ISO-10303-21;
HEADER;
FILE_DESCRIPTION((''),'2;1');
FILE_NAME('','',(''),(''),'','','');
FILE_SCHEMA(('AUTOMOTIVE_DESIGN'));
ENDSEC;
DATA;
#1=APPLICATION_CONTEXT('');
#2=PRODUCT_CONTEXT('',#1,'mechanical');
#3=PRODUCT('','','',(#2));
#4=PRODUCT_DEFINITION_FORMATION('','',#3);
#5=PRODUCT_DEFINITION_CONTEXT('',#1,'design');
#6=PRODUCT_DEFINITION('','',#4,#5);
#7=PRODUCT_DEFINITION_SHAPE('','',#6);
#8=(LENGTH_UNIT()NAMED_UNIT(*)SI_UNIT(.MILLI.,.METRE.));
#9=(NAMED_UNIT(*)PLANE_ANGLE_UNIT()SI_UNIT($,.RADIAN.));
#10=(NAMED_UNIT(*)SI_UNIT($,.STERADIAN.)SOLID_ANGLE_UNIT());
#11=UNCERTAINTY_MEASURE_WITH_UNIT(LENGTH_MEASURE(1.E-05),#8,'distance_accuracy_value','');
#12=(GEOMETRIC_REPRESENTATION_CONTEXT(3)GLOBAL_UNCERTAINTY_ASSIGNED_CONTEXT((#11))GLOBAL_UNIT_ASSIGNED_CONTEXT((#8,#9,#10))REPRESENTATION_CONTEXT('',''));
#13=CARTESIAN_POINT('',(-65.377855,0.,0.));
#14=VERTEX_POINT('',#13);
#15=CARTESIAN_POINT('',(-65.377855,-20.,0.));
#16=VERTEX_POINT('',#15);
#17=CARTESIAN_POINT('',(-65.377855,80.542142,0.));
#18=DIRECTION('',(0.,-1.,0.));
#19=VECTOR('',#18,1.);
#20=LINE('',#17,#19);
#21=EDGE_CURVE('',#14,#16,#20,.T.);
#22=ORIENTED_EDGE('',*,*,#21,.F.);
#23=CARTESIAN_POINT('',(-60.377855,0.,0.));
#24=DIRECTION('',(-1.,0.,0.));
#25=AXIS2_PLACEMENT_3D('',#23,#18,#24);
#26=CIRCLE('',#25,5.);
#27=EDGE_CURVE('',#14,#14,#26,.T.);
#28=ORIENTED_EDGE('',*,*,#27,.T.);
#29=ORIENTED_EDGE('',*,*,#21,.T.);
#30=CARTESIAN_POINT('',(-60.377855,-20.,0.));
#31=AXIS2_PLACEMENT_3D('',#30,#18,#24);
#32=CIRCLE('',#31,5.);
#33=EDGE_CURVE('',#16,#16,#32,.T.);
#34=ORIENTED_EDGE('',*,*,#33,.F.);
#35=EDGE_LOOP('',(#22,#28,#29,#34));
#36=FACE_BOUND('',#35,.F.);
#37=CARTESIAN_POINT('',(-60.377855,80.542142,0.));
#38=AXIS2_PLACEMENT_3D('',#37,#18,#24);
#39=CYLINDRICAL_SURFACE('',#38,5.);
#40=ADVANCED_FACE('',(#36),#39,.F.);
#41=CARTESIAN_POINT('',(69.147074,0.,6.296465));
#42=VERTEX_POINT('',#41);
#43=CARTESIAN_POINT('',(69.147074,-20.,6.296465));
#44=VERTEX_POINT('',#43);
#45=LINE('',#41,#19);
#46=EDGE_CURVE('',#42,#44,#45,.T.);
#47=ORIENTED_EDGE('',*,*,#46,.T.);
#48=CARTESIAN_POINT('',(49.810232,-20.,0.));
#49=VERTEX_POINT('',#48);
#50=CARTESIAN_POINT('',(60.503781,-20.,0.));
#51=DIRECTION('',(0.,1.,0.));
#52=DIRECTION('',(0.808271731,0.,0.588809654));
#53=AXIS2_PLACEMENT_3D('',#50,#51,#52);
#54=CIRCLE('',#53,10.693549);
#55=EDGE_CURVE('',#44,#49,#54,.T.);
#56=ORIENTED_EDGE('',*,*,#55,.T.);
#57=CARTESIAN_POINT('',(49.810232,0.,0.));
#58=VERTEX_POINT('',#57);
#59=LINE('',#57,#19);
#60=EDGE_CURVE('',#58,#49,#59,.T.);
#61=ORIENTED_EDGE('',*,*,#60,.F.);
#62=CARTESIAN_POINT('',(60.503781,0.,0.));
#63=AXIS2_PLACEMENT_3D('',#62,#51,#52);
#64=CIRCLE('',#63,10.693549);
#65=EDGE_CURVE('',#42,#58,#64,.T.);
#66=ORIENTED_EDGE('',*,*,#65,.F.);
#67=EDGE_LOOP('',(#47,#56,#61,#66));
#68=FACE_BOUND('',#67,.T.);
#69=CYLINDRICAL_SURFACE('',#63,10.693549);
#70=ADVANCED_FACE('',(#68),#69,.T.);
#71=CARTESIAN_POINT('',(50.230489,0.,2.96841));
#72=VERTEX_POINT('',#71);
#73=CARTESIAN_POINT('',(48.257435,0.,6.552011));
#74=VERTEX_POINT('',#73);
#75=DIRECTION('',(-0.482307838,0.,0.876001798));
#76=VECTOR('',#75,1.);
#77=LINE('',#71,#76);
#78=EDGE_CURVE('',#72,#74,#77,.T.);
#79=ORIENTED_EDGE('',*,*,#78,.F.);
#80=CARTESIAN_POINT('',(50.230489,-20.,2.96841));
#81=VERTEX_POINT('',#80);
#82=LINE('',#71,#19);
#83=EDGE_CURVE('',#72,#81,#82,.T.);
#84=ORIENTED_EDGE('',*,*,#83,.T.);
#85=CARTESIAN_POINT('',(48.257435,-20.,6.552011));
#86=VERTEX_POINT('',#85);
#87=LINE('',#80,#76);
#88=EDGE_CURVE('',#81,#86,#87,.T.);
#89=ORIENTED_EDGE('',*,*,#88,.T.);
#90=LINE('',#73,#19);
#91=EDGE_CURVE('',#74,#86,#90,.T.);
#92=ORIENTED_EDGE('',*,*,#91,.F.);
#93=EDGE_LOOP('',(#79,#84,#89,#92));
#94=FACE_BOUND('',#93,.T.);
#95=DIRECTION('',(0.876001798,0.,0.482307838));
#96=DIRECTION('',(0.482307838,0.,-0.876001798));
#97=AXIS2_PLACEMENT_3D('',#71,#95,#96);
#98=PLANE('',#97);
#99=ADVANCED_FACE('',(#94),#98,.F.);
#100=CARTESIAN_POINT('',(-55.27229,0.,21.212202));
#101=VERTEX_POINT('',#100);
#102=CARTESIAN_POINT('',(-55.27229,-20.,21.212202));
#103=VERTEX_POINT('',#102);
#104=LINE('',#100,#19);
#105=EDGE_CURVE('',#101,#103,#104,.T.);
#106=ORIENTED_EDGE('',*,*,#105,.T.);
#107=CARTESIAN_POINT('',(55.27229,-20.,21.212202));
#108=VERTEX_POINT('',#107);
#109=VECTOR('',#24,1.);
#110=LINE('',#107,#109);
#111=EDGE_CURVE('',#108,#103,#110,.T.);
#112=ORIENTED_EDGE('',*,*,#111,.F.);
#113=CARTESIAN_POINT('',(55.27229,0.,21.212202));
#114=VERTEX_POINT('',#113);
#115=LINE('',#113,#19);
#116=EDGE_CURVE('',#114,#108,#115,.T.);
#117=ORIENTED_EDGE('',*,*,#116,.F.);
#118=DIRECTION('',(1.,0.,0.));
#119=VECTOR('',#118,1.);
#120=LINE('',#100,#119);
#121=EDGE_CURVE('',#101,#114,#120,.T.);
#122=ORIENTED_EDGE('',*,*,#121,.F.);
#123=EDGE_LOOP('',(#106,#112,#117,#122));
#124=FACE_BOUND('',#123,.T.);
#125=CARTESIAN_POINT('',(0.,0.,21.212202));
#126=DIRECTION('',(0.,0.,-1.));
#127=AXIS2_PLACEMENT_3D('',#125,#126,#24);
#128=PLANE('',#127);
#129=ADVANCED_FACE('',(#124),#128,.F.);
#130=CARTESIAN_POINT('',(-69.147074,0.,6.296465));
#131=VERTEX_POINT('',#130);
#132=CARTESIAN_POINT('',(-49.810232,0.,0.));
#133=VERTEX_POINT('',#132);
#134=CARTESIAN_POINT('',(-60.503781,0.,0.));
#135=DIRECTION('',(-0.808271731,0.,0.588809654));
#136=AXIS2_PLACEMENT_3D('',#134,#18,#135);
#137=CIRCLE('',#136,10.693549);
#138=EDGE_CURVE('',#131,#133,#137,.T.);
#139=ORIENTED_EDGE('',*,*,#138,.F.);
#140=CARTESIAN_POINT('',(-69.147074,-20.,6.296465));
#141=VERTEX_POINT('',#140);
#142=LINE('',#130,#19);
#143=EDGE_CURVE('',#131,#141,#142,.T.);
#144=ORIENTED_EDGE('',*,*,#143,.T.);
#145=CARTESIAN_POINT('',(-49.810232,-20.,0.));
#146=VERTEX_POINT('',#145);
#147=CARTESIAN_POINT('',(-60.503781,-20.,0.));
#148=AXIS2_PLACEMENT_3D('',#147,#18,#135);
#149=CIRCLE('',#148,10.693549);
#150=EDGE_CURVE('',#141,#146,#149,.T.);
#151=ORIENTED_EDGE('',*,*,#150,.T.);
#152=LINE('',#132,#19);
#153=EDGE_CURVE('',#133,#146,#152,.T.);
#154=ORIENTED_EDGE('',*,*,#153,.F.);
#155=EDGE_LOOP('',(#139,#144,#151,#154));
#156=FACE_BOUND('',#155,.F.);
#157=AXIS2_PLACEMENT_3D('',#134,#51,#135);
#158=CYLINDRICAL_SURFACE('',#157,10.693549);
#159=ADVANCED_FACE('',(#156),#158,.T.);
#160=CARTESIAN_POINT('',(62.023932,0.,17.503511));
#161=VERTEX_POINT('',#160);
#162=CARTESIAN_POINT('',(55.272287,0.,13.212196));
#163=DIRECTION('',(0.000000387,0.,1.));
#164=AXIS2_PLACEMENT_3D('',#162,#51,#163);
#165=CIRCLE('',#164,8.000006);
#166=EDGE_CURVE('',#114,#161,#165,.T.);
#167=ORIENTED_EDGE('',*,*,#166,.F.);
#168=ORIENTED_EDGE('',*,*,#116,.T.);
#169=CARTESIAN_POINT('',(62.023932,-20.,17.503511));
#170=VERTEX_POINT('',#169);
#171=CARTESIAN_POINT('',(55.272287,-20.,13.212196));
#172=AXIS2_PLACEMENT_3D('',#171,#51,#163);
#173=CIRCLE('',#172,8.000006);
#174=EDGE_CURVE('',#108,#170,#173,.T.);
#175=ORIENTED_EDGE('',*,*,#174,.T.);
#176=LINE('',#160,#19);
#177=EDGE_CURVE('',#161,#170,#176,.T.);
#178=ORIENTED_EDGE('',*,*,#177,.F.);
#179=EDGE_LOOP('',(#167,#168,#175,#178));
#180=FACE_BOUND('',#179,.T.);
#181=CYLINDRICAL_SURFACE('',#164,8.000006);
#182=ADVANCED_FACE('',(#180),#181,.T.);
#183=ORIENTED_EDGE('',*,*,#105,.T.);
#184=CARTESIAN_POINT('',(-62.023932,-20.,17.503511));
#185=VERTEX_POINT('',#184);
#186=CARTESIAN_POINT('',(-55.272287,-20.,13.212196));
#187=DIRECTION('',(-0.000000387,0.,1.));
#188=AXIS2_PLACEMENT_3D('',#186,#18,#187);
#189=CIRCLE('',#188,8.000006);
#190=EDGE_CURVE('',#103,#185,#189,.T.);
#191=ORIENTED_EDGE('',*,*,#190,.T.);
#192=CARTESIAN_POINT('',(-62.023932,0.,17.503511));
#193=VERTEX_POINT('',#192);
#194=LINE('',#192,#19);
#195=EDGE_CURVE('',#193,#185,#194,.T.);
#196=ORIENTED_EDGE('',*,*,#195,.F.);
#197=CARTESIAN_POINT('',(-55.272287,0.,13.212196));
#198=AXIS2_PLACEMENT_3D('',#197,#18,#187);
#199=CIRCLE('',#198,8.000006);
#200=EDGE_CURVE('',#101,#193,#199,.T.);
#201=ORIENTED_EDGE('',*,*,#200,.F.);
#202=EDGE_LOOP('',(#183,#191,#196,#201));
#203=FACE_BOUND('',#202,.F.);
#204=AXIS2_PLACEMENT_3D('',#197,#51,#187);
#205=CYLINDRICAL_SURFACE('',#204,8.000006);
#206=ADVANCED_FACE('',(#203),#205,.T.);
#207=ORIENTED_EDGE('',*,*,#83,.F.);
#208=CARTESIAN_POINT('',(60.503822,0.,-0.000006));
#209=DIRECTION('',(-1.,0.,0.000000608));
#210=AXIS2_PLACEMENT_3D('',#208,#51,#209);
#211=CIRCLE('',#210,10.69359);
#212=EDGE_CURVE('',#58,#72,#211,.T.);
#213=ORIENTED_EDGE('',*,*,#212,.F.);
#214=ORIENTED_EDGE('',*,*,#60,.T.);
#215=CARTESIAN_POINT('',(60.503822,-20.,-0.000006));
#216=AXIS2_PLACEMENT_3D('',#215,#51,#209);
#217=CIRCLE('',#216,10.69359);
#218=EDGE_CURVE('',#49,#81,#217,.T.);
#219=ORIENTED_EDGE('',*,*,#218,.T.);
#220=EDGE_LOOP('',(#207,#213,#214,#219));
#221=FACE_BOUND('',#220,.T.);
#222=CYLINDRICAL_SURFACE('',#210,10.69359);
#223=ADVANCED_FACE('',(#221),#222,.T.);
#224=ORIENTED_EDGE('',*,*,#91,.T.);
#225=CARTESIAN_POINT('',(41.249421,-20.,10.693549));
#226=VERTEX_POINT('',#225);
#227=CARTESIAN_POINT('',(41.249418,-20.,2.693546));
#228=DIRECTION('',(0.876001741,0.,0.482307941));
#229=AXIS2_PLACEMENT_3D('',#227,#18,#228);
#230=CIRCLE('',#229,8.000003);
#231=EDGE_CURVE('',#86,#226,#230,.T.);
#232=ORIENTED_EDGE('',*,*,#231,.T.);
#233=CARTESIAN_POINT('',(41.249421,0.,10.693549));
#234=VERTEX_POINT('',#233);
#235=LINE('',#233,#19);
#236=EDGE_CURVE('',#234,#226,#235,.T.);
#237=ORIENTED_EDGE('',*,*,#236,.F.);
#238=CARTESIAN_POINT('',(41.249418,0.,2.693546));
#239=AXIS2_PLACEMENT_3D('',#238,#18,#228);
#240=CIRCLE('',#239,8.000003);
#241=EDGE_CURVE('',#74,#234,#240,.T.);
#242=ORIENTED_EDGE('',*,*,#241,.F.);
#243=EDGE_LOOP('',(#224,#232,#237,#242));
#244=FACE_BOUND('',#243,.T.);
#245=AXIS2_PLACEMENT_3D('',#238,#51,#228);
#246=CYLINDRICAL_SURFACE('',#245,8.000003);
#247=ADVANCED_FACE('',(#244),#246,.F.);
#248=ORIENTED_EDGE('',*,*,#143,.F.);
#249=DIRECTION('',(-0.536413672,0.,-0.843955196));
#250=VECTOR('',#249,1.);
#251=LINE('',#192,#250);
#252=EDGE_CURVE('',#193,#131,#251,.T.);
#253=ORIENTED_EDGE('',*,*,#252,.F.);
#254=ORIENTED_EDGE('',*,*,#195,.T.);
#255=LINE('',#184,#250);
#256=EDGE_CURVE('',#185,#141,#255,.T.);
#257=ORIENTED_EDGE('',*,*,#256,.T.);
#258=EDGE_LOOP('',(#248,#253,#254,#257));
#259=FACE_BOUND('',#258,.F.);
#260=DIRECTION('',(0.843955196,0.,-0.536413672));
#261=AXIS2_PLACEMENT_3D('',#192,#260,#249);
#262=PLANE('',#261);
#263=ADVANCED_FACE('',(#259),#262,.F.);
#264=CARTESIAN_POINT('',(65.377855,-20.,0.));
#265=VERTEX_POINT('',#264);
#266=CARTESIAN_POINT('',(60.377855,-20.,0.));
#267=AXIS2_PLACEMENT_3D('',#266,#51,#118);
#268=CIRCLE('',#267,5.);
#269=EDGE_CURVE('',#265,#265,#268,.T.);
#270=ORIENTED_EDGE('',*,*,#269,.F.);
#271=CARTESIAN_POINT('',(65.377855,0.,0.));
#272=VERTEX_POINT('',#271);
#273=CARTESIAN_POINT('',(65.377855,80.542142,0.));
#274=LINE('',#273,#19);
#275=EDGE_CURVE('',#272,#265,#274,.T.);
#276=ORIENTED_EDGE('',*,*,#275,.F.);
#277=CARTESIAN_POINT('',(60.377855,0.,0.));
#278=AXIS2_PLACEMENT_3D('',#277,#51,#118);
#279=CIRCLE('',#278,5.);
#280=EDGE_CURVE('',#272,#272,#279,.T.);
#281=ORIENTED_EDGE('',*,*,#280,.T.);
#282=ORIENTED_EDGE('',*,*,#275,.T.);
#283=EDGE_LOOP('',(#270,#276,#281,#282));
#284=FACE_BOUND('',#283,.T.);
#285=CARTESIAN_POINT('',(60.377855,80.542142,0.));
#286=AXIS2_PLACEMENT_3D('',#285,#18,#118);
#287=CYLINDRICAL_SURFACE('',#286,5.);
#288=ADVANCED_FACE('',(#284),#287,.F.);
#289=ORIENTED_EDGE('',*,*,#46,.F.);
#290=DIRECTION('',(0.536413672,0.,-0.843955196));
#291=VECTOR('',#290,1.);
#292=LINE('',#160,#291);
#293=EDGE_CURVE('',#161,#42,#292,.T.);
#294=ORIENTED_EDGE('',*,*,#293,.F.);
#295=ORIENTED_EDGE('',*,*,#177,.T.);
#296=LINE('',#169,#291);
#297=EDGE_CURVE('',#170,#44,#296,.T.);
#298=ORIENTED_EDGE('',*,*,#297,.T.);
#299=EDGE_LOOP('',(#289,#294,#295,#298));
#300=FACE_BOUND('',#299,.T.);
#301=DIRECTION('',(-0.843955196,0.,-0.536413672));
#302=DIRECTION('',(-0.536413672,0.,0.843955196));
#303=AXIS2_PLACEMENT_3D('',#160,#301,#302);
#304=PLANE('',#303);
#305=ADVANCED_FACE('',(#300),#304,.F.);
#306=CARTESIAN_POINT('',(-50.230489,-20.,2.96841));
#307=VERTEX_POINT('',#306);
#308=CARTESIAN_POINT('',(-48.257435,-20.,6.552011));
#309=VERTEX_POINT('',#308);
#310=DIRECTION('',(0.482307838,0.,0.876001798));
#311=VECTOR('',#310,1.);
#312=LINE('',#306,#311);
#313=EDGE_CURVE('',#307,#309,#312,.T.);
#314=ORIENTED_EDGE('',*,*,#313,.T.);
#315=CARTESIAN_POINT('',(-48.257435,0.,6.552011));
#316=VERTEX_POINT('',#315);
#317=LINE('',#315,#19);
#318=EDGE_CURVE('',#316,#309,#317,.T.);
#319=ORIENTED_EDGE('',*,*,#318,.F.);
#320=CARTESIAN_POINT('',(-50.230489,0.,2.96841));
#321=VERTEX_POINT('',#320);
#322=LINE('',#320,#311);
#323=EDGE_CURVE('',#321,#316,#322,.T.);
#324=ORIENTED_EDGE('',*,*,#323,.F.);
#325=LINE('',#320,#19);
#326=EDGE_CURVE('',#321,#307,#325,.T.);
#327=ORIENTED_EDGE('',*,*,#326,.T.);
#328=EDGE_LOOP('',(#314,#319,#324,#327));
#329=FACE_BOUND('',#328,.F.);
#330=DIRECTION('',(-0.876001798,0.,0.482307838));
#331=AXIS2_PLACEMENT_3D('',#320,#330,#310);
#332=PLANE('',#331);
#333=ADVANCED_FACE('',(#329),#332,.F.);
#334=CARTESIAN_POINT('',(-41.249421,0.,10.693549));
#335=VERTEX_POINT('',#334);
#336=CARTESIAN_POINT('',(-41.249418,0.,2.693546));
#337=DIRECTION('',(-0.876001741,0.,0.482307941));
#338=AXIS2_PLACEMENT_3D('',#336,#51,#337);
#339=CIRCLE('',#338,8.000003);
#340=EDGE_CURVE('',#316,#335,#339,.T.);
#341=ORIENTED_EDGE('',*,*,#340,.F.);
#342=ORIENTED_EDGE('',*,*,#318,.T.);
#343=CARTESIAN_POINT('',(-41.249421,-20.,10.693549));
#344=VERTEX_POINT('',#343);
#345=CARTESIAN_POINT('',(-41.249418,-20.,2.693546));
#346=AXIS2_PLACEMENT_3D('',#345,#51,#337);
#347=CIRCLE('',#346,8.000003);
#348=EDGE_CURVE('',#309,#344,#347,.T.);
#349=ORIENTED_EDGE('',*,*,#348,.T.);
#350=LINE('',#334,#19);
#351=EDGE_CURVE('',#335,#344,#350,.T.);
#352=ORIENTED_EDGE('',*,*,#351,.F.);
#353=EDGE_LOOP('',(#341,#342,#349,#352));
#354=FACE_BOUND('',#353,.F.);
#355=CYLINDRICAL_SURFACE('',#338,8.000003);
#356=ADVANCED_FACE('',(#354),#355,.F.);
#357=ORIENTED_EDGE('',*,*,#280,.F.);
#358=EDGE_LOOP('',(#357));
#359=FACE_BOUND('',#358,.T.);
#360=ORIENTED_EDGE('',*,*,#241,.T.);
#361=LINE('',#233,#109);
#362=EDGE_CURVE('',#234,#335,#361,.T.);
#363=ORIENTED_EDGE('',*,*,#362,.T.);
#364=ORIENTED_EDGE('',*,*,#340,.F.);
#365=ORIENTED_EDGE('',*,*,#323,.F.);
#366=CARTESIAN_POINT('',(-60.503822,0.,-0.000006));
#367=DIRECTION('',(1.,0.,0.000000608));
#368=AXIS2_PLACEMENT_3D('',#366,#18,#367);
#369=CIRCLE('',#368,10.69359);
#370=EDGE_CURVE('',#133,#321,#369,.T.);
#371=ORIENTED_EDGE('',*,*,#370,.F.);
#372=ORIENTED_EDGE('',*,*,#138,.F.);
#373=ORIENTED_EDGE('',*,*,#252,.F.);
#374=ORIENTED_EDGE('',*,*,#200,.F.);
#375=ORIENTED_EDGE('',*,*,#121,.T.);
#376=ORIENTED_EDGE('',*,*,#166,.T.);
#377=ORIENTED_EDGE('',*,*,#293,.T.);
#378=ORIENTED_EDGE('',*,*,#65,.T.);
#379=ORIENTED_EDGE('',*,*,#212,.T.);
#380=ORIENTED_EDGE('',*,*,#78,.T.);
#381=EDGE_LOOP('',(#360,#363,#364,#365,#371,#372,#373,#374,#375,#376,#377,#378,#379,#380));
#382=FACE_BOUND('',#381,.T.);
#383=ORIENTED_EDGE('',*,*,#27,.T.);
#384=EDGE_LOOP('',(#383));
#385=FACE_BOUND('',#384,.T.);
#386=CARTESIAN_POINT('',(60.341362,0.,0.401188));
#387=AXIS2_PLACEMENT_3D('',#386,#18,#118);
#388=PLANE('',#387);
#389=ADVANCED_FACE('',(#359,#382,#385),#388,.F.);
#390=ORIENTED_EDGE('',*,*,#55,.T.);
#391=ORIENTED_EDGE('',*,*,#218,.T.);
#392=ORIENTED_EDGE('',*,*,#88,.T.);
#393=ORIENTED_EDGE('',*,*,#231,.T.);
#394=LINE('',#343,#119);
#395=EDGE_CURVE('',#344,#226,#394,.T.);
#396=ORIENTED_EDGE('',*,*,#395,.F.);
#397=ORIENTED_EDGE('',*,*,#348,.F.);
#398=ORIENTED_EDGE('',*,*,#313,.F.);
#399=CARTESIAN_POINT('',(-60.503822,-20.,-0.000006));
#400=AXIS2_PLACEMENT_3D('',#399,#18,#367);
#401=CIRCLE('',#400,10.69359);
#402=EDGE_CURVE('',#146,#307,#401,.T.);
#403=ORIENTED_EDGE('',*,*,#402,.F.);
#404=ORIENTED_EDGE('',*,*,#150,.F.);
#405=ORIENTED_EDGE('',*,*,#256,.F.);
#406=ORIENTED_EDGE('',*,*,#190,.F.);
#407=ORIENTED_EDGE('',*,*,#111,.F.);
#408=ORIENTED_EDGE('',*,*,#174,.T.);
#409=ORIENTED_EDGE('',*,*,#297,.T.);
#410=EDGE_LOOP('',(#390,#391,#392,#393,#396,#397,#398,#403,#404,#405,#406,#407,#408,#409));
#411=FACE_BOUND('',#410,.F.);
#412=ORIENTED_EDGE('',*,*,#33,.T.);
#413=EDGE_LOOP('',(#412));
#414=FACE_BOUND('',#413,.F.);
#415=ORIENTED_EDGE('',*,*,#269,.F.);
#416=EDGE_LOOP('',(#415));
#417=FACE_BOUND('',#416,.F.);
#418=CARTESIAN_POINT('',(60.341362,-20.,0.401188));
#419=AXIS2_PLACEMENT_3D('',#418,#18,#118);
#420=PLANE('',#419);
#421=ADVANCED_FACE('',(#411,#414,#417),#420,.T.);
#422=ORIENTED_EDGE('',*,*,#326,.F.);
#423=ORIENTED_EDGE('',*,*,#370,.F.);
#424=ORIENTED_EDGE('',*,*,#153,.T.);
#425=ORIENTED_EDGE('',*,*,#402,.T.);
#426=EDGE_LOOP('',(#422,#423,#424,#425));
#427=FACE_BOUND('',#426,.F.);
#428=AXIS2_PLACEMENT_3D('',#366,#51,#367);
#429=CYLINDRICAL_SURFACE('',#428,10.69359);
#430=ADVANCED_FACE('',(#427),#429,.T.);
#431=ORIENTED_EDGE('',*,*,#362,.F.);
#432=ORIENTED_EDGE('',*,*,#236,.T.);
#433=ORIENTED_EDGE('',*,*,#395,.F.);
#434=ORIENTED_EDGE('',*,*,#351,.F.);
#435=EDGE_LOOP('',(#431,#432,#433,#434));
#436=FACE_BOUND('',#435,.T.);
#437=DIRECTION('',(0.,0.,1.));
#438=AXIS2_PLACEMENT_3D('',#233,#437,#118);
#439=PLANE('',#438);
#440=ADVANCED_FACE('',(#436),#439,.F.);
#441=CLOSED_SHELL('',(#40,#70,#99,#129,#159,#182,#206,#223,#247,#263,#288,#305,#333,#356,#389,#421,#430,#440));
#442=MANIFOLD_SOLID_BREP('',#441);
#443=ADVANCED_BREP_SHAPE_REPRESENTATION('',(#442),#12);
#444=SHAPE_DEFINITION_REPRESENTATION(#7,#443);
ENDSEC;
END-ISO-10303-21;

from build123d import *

# Parameters (mm, degrees)
F1_DEPTH = 20
F3_D     = 10
F4_DEPTH = 20
F6_D     = 10


with BuildPart() as f1:
    # F0 (on Front) → F1 (new body)
    with BuildSketch(Plane.XZ):
        with BuildLine():
            ThreePointArc((-69.147074, 6.296465), (-63.81471, -10.168074), (-49.810232, 0))
            ThreePointArc((-49.810232, 0), (-49.915818, 1.499006), (-50.230489, 2.96841))
            ThreePointArc((-50.230489, 2.96841), (-58.650888, 10.531798), (-69.147074, 6.296465))
        make_face()
    extrude(amount=F1_DEPTH)

    # F3 (through all)
    with Locations(Plane.XZ.offset(20)):
        with Locations((-60.503781, 0)):
            Hole(F3_D / 2)

    # F0 (on Front) → F4 (join)
    with BuildSketch(Plane.XZ):
        with BuildLine():
            ThreePointArc((-69.147074, 6.296465), (-63.81471, -10.168074), (-49.810232, 0))
            ThreePointArc((-49.810232, 0), (-49.915818, 1.499006), (-50.230489, 2.96841))
            ThreePointArc((-50.230489, 2.96841), (-58.650888, 10.531798), (-69.147074, 6.296465))
        make_face()
        with BuildLine():
            ThreePointArc((-69.147074, 6.296465), (-58.650888, 10.531798), (-50.230489, 2.96841))
            Line((-50.230489, 2.96841), (-48.257435, 6.552011))
            ThreePointArc((-48.257435, 6.552011), (-45.319574, 9.580772), (-41.249421, 10.693549))
            Line((-41.249421, 10.693549), (0, 10.693549))
            Line((0, 10.693549), (0, 21.212202))
            Line((0, 21.212202), (-55.27229, 21.212202))
            ThreePointArc((-55.27229, 21.212202), (-59.123882, 20.223994), (-62.023932, 17.503511))
            Line((-62.023932, 17.503511), (-69.147074, 6.296465))
        make_face()
    extrude(amount=F4_DEPTH)

    # F6 (through all)
    with Locations(Plane(origin=(0, 0, 0), x_dir=(1, 0, 0), z_dir=(0, 1, 0))):
        with Locations((-60.377855, 0)):
            Hole(F6_D / 2)

    # F7: F1 across plane


with BuildPart() as f1_1:
    add(f1.part)
    add(f1.part.mirror(Plane.YZ))


solid = f1_1.part
